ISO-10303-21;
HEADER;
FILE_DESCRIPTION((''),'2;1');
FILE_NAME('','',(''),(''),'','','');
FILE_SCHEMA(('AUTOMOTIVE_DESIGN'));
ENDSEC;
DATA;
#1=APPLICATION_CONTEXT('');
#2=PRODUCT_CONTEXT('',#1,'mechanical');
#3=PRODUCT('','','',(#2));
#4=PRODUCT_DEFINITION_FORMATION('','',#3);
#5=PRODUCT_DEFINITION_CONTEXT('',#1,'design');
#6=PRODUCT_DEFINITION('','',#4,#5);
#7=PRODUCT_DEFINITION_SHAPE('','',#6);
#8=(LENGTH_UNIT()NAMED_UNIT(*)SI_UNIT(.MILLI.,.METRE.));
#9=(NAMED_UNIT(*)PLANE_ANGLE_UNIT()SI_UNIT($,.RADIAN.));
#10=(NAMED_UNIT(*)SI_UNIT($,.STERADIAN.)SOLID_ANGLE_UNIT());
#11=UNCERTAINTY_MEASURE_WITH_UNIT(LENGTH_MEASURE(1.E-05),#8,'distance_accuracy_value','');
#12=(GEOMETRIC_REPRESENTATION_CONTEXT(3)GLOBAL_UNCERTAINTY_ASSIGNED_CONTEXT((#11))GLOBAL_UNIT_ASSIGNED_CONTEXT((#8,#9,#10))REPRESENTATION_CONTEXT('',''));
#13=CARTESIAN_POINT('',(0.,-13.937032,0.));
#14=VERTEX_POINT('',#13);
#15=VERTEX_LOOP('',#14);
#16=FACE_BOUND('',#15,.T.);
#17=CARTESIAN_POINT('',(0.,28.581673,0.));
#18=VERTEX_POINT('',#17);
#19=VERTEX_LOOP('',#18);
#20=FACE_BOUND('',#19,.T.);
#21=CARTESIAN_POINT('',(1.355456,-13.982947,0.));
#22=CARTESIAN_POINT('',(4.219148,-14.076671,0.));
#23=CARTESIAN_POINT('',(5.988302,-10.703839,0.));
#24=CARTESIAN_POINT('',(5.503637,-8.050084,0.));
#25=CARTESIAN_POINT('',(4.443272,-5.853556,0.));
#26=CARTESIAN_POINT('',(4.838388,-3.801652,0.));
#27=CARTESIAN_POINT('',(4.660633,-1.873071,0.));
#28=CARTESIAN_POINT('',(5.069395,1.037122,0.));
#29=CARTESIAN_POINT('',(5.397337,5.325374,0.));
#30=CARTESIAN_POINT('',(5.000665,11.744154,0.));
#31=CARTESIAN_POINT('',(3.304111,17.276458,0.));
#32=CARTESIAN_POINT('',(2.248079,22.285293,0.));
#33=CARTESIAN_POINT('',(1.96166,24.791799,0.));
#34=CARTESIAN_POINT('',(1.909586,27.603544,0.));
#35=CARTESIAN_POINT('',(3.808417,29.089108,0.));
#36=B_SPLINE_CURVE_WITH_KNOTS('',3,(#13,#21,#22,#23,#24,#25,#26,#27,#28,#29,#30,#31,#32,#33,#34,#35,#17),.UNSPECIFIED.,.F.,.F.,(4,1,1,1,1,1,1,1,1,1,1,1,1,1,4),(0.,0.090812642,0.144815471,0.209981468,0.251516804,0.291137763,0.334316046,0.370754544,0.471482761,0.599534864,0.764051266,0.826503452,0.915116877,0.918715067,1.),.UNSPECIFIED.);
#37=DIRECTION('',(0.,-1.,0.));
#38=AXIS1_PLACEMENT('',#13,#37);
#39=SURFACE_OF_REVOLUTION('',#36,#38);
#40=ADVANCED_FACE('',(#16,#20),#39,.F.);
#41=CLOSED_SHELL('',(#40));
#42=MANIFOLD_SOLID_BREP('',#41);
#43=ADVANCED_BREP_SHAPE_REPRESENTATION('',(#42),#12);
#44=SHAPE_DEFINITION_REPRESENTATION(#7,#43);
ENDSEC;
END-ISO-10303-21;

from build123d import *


with BuildPart() as part:
    # Croquis1 → Revolución2 (revolve)
    with BuildSketch(Plane.XY):
        with BuildLine():
            Line((0, -13.937032388), (0, 28.581673016))
            add(Edge.make_bspline(
                [(0, -13.937032388), (1.355456163, -13.982947468), (4.219148206, -14.076671303), (5.988301853, -10.703838667), (5.503636529, -8.05008433), (4.443271806, -5.853555608), (4.838388244, -3.801652431), (4.660633132, -1.873070716), (5.06939486, 1.037121785), (5.397336701, 5.325374088), (5.000664771, 11.74415375), (3.304111116, 17.276458337), (2.248079005, 22.285292593), (1.961659637, 24.791798679), (1.909585613, 27.603544335), (3.808416574, 29.089108234), (0, 28.581673016)],
                knots=[0, 0, 0, 0, 0.090812642, 0.144815471, 0.209981468, 0.251516804, 0.291137763, 0.334316046, 0.370754544, 0.471482761, 0.599534864, 0.764051266, 0.826503452, 0.915116877, 0.918715067, 1, 1, 1, 1], degree=3))
        make_face()
    revolve(axis=Axis((0, -13.937032388, 0), (0, 1, 0)))


solid = part.part
